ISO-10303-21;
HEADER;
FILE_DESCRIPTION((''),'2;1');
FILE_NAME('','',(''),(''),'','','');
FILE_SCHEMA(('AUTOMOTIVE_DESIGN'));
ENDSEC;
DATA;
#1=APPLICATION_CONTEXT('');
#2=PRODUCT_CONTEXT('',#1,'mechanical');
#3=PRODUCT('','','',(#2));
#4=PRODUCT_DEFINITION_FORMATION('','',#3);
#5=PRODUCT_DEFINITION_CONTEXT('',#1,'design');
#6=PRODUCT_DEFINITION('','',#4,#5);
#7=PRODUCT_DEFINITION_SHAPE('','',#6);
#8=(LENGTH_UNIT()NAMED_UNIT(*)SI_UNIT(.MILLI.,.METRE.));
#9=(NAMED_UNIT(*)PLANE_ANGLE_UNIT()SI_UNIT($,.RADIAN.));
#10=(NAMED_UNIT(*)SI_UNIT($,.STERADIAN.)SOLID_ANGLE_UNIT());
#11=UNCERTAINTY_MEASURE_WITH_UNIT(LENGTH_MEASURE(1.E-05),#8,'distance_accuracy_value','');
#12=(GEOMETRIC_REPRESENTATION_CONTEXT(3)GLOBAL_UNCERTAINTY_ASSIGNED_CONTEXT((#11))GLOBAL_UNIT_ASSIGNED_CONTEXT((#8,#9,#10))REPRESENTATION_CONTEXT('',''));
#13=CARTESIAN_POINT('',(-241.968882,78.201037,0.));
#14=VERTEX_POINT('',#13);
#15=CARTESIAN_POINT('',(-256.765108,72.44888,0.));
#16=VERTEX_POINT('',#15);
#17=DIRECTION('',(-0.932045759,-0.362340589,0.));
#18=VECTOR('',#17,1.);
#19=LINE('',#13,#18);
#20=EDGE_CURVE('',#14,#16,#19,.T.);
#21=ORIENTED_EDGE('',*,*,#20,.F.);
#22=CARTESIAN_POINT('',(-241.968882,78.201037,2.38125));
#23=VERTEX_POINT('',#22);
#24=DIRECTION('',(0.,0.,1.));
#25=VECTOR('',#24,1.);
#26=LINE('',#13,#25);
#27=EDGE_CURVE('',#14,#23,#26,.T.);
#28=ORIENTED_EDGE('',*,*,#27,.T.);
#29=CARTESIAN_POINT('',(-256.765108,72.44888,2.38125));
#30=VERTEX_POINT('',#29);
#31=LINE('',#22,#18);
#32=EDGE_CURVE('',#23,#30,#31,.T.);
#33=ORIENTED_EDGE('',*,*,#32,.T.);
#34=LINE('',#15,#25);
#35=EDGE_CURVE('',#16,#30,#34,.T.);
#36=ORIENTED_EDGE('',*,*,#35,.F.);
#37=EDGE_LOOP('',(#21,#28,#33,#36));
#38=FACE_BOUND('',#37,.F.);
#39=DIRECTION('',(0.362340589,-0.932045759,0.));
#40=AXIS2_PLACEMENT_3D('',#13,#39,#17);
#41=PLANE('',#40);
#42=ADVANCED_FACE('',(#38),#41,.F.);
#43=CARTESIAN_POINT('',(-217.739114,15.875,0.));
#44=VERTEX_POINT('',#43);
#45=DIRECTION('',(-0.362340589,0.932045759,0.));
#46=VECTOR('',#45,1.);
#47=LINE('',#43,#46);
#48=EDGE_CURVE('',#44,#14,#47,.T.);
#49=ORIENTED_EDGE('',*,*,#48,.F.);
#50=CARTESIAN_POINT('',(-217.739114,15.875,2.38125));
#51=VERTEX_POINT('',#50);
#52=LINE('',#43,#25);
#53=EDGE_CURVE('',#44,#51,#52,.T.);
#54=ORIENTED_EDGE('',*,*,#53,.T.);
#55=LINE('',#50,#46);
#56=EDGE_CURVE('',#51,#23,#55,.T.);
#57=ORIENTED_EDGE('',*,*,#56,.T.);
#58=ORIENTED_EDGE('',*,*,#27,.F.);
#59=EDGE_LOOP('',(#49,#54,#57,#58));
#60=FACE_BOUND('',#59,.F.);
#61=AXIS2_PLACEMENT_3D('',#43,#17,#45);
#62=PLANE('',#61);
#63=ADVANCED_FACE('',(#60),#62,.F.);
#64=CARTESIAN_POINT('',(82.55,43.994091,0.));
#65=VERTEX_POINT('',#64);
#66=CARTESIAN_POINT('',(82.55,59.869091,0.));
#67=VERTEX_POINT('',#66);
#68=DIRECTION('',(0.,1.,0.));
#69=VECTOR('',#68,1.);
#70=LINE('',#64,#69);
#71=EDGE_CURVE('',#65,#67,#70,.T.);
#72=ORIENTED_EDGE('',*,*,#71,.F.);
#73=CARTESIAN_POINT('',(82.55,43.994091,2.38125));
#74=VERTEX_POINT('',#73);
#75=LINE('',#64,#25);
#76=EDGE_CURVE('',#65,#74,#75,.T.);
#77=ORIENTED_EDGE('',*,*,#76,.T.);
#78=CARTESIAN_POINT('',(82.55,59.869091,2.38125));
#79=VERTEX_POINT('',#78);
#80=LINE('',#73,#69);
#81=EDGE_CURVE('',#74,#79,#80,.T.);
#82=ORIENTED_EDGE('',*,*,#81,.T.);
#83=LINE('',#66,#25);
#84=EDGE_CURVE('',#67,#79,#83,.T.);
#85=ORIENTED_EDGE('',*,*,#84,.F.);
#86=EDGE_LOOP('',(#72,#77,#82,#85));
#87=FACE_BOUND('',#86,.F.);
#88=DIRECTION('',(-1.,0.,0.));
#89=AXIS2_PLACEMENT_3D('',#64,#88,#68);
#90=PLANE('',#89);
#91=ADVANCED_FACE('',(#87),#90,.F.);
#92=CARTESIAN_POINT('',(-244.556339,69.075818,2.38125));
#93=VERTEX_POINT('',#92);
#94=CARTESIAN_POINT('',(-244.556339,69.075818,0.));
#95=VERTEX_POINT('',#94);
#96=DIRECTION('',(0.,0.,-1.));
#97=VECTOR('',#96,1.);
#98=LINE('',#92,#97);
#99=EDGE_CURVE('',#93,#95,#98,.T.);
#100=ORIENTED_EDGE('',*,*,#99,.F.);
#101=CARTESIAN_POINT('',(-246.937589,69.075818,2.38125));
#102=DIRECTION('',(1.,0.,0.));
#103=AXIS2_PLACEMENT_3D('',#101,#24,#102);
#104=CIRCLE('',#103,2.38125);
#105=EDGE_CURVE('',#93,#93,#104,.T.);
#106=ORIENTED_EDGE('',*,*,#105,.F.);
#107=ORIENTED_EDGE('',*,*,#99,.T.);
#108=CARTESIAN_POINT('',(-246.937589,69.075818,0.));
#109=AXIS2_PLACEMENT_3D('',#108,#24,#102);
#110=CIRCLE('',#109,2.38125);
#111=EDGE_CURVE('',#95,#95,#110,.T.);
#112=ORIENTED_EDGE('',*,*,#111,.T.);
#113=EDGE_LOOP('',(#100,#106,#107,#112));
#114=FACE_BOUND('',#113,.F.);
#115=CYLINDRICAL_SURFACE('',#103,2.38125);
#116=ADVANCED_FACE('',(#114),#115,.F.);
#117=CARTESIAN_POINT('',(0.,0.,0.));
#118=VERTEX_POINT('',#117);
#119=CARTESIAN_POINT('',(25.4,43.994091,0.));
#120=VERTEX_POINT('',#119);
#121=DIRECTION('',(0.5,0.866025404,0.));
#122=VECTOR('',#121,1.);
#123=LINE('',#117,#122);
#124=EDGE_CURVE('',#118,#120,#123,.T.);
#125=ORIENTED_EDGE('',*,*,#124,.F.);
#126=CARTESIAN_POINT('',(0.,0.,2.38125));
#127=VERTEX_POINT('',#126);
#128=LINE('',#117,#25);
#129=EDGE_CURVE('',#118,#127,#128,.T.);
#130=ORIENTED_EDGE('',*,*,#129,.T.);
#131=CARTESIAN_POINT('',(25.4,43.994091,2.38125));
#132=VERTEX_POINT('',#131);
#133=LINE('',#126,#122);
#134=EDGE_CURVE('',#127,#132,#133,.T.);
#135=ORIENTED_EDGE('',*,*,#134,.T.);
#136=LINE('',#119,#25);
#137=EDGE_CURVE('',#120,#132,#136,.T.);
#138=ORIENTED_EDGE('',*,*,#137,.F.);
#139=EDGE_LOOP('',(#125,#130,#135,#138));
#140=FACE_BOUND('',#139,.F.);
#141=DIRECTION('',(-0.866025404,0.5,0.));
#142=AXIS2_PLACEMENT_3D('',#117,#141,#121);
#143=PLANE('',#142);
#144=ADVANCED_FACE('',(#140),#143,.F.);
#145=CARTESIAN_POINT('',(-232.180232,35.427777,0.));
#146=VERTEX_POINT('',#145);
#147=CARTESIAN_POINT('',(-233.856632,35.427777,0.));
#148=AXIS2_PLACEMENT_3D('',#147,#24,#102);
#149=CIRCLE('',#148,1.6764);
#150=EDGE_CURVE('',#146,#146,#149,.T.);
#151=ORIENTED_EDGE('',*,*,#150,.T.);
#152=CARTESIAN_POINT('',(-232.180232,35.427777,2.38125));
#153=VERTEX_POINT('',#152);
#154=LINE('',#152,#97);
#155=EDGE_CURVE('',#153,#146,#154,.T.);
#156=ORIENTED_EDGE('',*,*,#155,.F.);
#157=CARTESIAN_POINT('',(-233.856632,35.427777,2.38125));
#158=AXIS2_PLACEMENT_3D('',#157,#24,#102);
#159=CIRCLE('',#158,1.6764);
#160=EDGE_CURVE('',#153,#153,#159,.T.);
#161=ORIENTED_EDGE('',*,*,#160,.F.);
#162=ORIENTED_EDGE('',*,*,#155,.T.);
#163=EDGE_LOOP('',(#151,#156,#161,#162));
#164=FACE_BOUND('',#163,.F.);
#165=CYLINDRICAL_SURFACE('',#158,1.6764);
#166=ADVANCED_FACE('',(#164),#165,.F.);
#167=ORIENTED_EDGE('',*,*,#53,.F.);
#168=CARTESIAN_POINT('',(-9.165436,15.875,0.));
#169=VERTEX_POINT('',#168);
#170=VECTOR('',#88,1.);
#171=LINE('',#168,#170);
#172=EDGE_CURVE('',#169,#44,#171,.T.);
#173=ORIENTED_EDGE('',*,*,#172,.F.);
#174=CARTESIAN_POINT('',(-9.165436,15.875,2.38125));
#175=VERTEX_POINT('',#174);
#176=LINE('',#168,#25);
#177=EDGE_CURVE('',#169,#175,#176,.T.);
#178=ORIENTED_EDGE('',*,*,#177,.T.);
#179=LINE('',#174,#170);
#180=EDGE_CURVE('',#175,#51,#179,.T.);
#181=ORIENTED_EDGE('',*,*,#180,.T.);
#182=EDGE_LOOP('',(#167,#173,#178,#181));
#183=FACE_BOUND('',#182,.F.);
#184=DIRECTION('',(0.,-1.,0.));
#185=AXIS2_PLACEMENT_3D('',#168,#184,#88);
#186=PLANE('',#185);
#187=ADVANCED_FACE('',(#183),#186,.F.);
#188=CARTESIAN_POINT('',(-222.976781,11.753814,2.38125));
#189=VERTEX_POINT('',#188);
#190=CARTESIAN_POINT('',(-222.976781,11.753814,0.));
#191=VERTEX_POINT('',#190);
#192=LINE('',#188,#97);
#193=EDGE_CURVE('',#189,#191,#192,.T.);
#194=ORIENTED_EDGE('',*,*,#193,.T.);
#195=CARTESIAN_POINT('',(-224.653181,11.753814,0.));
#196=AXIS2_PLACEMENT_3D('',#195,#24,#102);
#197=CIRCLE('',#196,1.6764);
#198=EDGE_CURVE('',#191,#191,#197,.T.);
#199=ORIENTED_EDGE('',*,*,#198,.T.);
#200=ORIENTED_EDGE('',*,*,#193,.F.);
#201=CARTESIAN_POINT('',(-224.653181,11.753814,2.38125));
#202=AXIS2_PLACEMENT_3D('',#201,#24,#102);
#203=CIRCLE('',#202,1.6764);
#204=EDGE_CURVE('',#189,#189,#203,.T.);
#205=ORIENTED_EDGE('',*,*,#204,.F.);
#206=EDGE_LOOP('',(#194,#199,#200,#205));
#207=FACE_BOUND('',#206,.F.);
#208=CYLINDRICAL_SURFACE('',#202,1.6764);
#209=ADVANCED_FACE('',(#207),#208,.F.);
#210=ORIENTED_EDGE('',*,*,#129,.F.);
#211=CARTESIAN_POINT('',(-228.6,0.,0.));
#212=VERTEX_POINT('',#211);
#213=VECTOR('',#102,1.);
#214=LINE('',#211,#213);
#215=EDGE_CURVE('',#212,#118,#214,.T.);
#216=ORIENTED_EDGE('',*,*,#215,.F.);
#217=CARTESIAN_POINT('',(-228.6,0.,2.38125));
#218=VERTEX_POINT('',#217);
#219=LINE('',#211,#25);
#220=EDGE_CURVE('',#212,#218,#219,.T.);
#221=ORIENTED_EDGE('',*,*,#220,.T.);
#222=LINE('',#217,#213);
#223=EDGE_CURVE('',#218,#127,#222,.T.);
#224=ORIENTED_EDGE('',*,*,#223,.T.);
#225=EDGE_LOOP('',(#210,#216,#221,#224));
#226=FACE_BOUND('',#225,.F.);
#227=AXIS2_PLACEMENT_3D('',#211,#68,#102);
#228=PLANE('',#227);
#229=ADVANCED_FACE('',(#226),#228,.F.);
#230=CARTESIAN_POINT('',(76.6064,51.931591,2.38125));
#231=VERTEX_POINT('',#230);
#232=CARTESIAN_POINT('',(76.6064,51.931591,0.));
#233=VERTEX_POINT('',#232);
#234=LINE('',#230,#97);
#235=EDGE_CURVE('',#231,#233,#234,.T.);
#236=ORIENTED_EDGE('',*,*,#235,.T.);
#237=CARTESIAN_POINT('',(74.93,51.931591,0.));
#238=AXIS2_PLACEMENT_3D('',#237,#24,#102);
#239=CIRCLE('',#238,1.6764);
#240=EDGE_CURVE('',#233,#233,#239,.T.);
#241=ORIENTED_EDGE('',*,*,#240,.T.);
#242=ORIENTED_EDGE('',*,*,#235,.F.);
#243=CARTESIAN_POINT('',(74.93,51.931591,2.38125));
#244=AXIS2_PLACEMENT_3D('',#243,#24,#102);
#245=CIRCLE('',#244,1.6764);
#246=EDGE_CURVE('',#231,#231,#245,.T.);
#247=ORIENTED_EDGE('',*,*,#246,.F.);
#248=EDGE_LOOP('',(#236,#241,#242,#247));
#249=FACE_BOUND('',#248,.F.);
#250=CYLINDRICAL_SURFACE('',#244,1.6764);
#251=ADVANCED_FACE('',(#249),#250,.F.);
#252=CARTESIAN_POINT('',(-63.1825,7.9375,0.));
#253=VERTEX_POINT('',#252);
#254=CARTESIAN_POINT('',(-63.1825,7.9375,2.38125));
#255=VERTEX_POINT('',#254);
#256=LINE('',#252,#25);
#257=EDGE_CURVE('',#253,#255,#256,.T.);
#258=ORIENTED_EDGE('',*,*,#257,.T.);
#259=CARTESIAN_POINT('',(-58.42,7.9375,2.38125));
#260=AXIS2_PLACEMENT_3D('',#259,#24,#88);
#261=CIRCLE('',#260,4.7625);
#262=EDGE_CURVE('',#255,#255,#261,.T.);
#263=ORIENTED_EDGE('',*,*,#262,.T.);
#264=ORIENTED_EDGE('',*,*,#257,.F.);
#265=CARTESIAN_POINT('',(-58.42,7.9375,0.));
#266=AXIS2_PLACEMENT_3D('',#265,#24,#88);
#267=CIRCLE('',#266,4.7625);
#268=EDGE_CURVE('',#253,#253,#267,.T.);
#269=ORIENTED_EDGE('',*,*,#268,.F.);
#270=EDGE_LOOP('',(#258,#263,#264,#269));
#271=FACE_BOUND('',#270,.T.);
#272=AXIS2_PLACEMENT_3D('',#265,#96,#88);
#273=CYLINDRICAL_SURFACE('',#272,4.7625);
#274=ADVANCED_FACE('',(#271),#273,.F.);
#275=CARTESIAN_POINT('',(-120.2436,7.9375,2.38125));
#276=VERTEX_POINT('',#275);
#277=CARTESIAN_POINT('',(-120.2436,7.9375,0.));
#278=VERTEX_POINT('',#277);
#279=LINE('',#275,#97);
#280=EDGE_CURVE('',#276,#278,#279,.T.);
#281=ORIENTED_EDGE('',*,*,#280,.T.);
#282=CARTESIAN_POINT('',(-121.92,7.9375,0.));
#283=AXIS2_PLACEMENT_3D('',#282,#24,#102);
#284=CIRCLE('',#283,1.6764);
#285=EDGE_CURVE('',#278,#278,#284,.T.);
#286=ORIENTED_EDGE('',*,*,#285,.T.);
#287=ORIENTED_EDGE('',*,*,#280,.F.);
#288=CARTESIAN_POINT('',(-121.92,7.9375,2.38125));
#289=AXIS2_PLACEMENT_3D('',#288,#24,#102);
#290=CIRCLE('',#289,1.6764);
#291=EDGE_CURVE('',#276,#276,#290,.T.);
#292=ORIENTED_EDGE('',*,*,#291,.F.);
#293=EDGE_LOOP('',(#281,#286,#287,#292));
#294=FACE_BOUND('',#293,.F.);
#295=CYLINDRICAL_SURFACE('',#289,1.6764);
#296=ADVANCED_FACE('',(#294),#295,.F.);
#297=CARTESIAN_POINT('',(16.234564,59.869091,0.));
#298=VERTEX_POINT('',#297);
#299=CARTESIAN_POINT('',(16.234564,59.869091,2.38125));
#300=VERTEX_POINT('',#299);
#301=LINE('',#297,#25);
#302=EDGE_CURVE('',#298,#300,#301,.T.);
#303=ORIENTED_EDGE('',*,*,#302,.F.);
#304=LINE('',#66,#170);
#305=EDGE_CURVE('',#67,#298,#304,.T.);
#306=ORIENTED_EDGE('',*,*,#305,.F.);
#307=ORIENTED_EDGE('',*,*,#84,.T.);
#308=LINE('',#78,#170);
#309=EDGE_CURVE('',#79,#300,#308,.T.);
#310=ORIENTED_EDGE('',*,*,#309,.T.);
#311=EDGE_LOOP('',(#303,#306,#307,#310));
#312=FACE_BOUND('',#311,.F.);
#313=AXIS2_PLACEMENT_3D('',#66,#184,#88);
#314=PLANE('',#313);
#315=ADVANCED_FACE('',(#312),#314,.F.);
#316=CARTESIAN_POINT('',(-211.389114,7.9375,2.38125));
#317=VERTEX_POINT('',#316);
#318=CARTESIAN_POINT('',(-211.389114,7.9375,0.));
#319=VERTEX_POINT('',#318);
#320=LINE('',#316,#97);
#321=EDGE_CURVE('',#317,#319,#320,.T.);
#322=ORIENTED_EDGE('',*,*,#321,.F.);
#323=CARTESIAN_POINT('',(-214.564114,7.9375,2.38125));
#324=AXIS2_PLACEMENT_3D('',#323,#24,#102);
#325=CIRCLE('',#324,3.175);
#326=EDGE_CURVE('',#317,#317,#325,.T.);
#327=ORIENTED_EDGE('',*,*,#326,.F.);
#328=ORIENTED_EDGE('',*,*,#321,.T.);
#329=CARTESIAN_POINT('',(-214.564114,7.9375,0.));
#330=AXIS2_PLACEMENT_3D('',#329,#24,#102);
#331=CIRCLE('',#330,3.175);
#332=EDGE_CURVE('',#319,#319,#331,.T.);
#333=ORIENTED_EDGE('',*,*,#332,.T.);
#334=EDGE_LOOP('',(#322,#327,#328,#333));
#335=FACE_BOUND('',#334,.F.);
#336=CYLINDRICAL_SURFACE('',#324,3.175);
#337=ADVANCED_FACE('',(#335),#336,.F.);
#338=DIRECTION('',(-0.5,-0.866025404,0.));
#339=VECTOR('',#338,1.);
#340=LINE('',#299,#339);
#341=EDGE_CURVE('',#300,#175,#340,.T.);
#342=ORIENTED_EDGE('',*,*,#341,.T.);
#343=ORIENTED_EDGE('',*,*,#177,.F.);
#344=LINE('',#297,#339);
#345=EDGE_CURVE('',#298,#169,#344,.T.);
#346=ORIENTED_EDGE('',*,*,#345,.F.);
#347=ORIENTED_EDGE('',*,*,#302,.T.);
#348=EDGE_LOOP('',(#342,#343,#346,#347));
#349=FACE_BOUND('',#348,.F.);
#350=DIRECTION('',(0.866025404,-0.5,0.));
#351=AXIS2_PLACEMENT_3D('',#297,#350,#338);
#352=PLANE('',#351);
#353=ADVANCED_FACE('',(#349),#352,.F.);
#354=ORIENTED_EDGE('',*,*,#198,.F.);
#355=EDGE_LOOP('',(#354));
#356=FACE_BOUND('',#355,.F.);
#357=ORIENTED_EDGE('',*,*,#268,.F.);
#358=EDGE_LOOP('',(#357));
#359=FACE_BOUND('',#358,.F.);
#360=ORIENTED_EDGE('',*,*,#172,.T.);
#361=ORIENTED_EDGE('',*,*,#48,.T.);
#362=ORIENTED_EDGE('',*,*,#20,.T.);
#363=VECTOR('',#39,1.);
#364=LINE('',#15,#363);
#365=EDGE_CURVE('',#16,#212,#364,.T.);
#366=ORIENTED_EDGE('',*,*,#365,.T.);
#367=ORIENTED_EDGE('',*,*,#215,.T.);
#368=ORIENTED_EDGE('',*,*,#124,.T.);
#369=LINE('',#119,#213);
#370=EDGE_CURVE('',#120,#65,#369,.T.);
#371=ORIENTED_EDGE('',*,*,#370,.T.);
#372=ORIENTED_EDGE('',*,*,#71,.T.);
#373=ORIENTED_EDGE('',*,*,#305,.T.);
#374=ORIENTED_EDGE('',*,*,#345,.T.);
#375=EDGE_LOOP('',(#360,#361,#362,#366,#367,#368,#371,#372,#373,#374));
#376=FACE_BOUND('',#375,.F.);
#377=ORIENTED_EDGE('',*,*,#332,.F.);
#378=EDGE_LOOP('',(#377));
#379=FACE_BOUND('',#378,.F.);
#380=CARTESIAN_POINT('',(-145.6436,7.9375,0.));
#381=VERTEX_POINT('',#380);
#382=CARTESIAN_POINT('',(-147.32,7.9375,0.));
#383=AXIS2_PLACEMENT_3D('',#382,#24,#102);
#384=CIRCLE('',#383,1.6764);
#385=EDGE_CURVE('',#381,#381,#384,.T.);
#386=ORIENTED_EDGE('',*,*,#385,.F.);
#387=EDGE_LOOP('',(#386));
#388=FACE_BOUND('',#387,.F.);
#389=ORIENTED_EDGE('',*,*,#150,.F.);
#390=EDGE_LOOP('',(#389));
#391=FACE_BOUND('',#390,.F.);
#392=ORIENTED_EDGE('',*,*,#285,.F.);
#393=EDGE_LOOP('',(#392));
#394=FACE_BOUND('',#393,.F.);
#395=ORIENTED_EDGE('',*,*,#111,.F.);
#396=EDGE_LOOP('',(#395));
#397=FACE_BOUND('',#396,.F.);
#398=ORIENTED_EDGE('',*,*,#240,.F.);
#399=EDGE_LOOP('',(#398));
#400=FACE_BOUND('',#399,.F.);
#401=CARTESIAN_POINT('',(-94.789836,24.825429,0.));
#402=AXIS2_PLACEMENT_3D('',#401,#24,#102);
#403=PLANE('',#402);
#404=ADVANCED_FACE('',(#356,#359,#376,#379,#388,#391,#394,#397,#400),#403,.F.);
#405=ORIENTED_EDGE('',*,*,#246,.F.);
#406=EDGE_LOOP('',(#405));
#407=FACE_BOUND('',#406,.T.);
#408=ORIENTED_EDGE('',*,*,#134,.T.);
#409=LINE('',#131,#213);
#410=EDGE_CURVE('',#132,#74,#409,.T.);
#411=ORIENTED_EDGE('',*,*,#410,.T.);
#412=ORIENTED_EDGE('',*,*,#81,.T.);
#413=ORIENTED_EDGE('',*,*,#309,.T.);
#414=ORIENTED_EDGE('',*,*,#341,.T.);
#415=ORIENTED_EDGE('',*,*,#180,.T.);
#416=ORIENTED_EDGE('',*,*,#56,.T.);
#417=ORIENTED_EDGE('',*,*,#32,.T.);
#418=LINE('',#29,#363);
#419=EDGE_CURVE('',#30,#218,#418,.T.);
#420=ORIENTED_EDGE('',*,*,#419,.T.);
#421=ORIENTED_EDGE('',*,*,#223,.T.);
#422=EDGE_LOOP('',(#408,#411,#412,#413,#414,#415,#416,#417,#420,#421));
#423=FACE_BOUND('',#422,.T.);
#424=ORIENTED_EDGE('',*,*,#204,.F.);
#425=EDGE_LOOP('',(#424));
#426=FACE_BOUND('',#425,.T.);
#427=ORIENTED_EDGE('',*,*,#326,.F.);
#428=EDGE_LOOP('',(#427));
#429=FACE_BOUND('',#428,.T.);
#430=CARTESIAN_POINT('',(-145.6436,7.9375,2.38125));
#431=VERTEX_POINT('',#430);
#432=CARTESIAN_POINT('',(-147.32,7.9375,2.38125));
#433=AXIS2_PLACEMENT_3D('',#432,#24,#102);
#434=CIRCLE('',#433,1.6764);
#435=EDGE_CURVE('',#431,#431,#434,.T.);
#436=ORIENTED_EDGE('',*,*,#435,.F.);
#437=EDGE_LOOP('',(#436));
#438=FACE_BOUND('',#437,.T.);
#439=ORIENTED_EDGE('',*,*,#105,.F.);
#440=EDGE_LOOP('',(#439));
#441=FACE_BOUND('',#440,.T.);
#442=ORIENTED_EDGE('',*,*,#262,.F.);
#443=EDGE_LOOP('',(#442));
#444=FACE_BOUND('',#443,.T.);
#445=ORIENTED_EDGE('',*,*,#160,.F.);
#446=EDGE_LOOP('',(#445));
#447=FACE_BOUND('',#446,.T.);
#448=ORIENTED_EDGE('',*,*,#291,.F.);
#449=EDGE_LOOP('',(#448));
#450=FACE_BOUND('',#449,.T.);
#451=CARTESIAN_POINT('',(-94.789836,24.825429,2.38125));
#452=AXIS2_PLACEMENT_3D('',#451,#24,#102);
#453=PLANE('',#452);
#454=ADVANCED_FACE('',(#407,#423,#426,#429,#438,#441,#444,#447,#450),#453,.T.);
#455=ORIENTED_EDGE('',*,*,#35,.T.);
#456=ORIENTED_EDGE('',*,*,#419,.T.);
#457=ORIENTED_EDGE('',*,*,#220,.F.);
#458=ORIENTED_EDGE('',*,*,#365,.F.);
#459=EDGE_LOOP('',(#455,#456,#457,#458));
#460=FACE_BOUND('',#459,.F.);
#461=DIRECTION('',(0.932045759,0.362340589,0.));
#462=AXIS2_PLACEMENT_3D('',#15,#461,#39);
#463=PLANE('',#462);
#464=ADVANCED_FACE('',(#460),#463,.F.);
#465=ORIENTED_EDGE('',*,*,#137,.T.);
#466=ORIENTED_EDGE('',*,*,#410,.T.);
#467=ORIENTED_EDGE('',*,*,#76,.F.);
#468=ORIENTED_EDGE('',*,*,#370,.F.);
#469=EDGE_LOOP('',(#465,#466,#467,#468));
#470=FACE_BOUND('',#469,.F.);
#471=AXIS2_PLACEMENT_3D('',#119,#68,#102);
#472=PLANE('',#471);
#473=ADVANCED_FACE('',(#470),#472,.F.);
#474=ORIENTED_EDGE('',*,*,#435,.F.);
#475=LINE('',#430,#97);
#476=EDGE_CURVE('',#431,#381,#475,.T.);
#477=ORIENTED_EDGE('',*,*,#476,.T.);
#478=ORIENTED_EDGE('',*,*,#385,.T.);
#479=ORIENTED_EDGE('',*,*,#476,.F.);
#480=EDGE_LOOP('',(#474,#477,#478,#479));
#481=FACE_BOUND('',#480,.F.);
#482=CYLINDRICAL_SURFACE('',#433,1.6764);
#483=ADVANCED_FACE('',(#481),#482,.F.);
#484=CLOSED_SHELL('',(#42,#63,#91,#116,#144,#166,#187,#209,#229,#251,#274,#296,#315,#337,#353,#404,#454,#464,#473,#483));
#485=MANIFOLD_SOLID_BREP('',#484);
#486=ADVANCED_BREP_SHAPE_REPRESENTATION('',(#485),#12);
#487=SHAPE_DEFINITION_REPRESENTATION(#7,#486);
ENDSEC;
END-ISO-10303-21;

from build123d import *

# Parameters (mm, degrees)
SKETCH1_R           = 4.7625
BOSS_EXTRUDE1_DEPTH = 2.38125
SKETCH4_R           = 1.6764
SKETCH4_R_2         = 2.38125
CUT_EXTRUDE2_DEPTH  = 269.420180625
SKETCH5_R           = 1.6764
CUT_EXTRUDE3_DEPTH  = 269.420180625
SKETCH6_R           = 3.175
CUT_EXTRUDE4_DEPTH  = 269.420180625


with BuildPart() as part:
    # Sketch1 → Boss-Extrude1 (new body)
    with BuildSketch(Plane.XY):
        Polygon((0, 0), (25.4, 43.994090512), (82.55, 43.994090512), (82.55, 59.869090512), (16.234564477, 59.869090512), (-9.165435523, 15.875), (-217.739113558, 15.875), (-241.968881923, 78.201036741), (-256.765108354, 72.448879893), (-228.6, 0), align=None)
        with Locations(Location((-58.42, 7.9375, 0), (0, 0, 180))):
            Circle(SKETCH1_R, mode=Mode.SUBTRACT)
    extrude(amount=BOSS_EXTRUDE1_DEPTH)

    # Sketch4 → Cut-Extrude2 (cut, through all)
    with BuildSketch(Plane.XY.offset(2.38125)):
        with Locations((74.93, 51.931590512)):
            Circle(SKETCH4_R)
        with Locations((-246.937589356, 69.075817516)):
            Circle(SKETCH4_R_2)
    extrude(amount=-CUT_EXTRUDE2_DEPTH, mode=Mode.SUBTRACT)

    # Sketch5 → Cut-Extrude3 (cut, through all)
    with BuildSketch(Plane.XY.offset(2.38125)):
        with Locations((-147.32, 7.9375)):
            Circle(SKETCH5_R)
        with Locations((-121.92, 7.9375)):
            Circle(SKETCH5_R)
        with Locations((-224.653180894, 11.753814283)):
            Circle(SKETCH5_R)
        with Locations((-233.856631852, 35.427776572)):
            Circle(SKETCH5_R)
    extrude(amount=-CUT_EXTRUDE3_DEPTH, mode=Mode.SUBTRACT)

    # Sketch6 → Cut-Extrude4 (cut, through all)
    with BuildSketch(Plane.XY.offset(2.38125)):
        with Locations((-214.564113558, 7.9375)):
            Circle(SKETCH6_R)
    extrude(amount=-CUT_EXTRUDE4_DEPTH, mode=Mode.SUBTRACT)


solid = part.part
